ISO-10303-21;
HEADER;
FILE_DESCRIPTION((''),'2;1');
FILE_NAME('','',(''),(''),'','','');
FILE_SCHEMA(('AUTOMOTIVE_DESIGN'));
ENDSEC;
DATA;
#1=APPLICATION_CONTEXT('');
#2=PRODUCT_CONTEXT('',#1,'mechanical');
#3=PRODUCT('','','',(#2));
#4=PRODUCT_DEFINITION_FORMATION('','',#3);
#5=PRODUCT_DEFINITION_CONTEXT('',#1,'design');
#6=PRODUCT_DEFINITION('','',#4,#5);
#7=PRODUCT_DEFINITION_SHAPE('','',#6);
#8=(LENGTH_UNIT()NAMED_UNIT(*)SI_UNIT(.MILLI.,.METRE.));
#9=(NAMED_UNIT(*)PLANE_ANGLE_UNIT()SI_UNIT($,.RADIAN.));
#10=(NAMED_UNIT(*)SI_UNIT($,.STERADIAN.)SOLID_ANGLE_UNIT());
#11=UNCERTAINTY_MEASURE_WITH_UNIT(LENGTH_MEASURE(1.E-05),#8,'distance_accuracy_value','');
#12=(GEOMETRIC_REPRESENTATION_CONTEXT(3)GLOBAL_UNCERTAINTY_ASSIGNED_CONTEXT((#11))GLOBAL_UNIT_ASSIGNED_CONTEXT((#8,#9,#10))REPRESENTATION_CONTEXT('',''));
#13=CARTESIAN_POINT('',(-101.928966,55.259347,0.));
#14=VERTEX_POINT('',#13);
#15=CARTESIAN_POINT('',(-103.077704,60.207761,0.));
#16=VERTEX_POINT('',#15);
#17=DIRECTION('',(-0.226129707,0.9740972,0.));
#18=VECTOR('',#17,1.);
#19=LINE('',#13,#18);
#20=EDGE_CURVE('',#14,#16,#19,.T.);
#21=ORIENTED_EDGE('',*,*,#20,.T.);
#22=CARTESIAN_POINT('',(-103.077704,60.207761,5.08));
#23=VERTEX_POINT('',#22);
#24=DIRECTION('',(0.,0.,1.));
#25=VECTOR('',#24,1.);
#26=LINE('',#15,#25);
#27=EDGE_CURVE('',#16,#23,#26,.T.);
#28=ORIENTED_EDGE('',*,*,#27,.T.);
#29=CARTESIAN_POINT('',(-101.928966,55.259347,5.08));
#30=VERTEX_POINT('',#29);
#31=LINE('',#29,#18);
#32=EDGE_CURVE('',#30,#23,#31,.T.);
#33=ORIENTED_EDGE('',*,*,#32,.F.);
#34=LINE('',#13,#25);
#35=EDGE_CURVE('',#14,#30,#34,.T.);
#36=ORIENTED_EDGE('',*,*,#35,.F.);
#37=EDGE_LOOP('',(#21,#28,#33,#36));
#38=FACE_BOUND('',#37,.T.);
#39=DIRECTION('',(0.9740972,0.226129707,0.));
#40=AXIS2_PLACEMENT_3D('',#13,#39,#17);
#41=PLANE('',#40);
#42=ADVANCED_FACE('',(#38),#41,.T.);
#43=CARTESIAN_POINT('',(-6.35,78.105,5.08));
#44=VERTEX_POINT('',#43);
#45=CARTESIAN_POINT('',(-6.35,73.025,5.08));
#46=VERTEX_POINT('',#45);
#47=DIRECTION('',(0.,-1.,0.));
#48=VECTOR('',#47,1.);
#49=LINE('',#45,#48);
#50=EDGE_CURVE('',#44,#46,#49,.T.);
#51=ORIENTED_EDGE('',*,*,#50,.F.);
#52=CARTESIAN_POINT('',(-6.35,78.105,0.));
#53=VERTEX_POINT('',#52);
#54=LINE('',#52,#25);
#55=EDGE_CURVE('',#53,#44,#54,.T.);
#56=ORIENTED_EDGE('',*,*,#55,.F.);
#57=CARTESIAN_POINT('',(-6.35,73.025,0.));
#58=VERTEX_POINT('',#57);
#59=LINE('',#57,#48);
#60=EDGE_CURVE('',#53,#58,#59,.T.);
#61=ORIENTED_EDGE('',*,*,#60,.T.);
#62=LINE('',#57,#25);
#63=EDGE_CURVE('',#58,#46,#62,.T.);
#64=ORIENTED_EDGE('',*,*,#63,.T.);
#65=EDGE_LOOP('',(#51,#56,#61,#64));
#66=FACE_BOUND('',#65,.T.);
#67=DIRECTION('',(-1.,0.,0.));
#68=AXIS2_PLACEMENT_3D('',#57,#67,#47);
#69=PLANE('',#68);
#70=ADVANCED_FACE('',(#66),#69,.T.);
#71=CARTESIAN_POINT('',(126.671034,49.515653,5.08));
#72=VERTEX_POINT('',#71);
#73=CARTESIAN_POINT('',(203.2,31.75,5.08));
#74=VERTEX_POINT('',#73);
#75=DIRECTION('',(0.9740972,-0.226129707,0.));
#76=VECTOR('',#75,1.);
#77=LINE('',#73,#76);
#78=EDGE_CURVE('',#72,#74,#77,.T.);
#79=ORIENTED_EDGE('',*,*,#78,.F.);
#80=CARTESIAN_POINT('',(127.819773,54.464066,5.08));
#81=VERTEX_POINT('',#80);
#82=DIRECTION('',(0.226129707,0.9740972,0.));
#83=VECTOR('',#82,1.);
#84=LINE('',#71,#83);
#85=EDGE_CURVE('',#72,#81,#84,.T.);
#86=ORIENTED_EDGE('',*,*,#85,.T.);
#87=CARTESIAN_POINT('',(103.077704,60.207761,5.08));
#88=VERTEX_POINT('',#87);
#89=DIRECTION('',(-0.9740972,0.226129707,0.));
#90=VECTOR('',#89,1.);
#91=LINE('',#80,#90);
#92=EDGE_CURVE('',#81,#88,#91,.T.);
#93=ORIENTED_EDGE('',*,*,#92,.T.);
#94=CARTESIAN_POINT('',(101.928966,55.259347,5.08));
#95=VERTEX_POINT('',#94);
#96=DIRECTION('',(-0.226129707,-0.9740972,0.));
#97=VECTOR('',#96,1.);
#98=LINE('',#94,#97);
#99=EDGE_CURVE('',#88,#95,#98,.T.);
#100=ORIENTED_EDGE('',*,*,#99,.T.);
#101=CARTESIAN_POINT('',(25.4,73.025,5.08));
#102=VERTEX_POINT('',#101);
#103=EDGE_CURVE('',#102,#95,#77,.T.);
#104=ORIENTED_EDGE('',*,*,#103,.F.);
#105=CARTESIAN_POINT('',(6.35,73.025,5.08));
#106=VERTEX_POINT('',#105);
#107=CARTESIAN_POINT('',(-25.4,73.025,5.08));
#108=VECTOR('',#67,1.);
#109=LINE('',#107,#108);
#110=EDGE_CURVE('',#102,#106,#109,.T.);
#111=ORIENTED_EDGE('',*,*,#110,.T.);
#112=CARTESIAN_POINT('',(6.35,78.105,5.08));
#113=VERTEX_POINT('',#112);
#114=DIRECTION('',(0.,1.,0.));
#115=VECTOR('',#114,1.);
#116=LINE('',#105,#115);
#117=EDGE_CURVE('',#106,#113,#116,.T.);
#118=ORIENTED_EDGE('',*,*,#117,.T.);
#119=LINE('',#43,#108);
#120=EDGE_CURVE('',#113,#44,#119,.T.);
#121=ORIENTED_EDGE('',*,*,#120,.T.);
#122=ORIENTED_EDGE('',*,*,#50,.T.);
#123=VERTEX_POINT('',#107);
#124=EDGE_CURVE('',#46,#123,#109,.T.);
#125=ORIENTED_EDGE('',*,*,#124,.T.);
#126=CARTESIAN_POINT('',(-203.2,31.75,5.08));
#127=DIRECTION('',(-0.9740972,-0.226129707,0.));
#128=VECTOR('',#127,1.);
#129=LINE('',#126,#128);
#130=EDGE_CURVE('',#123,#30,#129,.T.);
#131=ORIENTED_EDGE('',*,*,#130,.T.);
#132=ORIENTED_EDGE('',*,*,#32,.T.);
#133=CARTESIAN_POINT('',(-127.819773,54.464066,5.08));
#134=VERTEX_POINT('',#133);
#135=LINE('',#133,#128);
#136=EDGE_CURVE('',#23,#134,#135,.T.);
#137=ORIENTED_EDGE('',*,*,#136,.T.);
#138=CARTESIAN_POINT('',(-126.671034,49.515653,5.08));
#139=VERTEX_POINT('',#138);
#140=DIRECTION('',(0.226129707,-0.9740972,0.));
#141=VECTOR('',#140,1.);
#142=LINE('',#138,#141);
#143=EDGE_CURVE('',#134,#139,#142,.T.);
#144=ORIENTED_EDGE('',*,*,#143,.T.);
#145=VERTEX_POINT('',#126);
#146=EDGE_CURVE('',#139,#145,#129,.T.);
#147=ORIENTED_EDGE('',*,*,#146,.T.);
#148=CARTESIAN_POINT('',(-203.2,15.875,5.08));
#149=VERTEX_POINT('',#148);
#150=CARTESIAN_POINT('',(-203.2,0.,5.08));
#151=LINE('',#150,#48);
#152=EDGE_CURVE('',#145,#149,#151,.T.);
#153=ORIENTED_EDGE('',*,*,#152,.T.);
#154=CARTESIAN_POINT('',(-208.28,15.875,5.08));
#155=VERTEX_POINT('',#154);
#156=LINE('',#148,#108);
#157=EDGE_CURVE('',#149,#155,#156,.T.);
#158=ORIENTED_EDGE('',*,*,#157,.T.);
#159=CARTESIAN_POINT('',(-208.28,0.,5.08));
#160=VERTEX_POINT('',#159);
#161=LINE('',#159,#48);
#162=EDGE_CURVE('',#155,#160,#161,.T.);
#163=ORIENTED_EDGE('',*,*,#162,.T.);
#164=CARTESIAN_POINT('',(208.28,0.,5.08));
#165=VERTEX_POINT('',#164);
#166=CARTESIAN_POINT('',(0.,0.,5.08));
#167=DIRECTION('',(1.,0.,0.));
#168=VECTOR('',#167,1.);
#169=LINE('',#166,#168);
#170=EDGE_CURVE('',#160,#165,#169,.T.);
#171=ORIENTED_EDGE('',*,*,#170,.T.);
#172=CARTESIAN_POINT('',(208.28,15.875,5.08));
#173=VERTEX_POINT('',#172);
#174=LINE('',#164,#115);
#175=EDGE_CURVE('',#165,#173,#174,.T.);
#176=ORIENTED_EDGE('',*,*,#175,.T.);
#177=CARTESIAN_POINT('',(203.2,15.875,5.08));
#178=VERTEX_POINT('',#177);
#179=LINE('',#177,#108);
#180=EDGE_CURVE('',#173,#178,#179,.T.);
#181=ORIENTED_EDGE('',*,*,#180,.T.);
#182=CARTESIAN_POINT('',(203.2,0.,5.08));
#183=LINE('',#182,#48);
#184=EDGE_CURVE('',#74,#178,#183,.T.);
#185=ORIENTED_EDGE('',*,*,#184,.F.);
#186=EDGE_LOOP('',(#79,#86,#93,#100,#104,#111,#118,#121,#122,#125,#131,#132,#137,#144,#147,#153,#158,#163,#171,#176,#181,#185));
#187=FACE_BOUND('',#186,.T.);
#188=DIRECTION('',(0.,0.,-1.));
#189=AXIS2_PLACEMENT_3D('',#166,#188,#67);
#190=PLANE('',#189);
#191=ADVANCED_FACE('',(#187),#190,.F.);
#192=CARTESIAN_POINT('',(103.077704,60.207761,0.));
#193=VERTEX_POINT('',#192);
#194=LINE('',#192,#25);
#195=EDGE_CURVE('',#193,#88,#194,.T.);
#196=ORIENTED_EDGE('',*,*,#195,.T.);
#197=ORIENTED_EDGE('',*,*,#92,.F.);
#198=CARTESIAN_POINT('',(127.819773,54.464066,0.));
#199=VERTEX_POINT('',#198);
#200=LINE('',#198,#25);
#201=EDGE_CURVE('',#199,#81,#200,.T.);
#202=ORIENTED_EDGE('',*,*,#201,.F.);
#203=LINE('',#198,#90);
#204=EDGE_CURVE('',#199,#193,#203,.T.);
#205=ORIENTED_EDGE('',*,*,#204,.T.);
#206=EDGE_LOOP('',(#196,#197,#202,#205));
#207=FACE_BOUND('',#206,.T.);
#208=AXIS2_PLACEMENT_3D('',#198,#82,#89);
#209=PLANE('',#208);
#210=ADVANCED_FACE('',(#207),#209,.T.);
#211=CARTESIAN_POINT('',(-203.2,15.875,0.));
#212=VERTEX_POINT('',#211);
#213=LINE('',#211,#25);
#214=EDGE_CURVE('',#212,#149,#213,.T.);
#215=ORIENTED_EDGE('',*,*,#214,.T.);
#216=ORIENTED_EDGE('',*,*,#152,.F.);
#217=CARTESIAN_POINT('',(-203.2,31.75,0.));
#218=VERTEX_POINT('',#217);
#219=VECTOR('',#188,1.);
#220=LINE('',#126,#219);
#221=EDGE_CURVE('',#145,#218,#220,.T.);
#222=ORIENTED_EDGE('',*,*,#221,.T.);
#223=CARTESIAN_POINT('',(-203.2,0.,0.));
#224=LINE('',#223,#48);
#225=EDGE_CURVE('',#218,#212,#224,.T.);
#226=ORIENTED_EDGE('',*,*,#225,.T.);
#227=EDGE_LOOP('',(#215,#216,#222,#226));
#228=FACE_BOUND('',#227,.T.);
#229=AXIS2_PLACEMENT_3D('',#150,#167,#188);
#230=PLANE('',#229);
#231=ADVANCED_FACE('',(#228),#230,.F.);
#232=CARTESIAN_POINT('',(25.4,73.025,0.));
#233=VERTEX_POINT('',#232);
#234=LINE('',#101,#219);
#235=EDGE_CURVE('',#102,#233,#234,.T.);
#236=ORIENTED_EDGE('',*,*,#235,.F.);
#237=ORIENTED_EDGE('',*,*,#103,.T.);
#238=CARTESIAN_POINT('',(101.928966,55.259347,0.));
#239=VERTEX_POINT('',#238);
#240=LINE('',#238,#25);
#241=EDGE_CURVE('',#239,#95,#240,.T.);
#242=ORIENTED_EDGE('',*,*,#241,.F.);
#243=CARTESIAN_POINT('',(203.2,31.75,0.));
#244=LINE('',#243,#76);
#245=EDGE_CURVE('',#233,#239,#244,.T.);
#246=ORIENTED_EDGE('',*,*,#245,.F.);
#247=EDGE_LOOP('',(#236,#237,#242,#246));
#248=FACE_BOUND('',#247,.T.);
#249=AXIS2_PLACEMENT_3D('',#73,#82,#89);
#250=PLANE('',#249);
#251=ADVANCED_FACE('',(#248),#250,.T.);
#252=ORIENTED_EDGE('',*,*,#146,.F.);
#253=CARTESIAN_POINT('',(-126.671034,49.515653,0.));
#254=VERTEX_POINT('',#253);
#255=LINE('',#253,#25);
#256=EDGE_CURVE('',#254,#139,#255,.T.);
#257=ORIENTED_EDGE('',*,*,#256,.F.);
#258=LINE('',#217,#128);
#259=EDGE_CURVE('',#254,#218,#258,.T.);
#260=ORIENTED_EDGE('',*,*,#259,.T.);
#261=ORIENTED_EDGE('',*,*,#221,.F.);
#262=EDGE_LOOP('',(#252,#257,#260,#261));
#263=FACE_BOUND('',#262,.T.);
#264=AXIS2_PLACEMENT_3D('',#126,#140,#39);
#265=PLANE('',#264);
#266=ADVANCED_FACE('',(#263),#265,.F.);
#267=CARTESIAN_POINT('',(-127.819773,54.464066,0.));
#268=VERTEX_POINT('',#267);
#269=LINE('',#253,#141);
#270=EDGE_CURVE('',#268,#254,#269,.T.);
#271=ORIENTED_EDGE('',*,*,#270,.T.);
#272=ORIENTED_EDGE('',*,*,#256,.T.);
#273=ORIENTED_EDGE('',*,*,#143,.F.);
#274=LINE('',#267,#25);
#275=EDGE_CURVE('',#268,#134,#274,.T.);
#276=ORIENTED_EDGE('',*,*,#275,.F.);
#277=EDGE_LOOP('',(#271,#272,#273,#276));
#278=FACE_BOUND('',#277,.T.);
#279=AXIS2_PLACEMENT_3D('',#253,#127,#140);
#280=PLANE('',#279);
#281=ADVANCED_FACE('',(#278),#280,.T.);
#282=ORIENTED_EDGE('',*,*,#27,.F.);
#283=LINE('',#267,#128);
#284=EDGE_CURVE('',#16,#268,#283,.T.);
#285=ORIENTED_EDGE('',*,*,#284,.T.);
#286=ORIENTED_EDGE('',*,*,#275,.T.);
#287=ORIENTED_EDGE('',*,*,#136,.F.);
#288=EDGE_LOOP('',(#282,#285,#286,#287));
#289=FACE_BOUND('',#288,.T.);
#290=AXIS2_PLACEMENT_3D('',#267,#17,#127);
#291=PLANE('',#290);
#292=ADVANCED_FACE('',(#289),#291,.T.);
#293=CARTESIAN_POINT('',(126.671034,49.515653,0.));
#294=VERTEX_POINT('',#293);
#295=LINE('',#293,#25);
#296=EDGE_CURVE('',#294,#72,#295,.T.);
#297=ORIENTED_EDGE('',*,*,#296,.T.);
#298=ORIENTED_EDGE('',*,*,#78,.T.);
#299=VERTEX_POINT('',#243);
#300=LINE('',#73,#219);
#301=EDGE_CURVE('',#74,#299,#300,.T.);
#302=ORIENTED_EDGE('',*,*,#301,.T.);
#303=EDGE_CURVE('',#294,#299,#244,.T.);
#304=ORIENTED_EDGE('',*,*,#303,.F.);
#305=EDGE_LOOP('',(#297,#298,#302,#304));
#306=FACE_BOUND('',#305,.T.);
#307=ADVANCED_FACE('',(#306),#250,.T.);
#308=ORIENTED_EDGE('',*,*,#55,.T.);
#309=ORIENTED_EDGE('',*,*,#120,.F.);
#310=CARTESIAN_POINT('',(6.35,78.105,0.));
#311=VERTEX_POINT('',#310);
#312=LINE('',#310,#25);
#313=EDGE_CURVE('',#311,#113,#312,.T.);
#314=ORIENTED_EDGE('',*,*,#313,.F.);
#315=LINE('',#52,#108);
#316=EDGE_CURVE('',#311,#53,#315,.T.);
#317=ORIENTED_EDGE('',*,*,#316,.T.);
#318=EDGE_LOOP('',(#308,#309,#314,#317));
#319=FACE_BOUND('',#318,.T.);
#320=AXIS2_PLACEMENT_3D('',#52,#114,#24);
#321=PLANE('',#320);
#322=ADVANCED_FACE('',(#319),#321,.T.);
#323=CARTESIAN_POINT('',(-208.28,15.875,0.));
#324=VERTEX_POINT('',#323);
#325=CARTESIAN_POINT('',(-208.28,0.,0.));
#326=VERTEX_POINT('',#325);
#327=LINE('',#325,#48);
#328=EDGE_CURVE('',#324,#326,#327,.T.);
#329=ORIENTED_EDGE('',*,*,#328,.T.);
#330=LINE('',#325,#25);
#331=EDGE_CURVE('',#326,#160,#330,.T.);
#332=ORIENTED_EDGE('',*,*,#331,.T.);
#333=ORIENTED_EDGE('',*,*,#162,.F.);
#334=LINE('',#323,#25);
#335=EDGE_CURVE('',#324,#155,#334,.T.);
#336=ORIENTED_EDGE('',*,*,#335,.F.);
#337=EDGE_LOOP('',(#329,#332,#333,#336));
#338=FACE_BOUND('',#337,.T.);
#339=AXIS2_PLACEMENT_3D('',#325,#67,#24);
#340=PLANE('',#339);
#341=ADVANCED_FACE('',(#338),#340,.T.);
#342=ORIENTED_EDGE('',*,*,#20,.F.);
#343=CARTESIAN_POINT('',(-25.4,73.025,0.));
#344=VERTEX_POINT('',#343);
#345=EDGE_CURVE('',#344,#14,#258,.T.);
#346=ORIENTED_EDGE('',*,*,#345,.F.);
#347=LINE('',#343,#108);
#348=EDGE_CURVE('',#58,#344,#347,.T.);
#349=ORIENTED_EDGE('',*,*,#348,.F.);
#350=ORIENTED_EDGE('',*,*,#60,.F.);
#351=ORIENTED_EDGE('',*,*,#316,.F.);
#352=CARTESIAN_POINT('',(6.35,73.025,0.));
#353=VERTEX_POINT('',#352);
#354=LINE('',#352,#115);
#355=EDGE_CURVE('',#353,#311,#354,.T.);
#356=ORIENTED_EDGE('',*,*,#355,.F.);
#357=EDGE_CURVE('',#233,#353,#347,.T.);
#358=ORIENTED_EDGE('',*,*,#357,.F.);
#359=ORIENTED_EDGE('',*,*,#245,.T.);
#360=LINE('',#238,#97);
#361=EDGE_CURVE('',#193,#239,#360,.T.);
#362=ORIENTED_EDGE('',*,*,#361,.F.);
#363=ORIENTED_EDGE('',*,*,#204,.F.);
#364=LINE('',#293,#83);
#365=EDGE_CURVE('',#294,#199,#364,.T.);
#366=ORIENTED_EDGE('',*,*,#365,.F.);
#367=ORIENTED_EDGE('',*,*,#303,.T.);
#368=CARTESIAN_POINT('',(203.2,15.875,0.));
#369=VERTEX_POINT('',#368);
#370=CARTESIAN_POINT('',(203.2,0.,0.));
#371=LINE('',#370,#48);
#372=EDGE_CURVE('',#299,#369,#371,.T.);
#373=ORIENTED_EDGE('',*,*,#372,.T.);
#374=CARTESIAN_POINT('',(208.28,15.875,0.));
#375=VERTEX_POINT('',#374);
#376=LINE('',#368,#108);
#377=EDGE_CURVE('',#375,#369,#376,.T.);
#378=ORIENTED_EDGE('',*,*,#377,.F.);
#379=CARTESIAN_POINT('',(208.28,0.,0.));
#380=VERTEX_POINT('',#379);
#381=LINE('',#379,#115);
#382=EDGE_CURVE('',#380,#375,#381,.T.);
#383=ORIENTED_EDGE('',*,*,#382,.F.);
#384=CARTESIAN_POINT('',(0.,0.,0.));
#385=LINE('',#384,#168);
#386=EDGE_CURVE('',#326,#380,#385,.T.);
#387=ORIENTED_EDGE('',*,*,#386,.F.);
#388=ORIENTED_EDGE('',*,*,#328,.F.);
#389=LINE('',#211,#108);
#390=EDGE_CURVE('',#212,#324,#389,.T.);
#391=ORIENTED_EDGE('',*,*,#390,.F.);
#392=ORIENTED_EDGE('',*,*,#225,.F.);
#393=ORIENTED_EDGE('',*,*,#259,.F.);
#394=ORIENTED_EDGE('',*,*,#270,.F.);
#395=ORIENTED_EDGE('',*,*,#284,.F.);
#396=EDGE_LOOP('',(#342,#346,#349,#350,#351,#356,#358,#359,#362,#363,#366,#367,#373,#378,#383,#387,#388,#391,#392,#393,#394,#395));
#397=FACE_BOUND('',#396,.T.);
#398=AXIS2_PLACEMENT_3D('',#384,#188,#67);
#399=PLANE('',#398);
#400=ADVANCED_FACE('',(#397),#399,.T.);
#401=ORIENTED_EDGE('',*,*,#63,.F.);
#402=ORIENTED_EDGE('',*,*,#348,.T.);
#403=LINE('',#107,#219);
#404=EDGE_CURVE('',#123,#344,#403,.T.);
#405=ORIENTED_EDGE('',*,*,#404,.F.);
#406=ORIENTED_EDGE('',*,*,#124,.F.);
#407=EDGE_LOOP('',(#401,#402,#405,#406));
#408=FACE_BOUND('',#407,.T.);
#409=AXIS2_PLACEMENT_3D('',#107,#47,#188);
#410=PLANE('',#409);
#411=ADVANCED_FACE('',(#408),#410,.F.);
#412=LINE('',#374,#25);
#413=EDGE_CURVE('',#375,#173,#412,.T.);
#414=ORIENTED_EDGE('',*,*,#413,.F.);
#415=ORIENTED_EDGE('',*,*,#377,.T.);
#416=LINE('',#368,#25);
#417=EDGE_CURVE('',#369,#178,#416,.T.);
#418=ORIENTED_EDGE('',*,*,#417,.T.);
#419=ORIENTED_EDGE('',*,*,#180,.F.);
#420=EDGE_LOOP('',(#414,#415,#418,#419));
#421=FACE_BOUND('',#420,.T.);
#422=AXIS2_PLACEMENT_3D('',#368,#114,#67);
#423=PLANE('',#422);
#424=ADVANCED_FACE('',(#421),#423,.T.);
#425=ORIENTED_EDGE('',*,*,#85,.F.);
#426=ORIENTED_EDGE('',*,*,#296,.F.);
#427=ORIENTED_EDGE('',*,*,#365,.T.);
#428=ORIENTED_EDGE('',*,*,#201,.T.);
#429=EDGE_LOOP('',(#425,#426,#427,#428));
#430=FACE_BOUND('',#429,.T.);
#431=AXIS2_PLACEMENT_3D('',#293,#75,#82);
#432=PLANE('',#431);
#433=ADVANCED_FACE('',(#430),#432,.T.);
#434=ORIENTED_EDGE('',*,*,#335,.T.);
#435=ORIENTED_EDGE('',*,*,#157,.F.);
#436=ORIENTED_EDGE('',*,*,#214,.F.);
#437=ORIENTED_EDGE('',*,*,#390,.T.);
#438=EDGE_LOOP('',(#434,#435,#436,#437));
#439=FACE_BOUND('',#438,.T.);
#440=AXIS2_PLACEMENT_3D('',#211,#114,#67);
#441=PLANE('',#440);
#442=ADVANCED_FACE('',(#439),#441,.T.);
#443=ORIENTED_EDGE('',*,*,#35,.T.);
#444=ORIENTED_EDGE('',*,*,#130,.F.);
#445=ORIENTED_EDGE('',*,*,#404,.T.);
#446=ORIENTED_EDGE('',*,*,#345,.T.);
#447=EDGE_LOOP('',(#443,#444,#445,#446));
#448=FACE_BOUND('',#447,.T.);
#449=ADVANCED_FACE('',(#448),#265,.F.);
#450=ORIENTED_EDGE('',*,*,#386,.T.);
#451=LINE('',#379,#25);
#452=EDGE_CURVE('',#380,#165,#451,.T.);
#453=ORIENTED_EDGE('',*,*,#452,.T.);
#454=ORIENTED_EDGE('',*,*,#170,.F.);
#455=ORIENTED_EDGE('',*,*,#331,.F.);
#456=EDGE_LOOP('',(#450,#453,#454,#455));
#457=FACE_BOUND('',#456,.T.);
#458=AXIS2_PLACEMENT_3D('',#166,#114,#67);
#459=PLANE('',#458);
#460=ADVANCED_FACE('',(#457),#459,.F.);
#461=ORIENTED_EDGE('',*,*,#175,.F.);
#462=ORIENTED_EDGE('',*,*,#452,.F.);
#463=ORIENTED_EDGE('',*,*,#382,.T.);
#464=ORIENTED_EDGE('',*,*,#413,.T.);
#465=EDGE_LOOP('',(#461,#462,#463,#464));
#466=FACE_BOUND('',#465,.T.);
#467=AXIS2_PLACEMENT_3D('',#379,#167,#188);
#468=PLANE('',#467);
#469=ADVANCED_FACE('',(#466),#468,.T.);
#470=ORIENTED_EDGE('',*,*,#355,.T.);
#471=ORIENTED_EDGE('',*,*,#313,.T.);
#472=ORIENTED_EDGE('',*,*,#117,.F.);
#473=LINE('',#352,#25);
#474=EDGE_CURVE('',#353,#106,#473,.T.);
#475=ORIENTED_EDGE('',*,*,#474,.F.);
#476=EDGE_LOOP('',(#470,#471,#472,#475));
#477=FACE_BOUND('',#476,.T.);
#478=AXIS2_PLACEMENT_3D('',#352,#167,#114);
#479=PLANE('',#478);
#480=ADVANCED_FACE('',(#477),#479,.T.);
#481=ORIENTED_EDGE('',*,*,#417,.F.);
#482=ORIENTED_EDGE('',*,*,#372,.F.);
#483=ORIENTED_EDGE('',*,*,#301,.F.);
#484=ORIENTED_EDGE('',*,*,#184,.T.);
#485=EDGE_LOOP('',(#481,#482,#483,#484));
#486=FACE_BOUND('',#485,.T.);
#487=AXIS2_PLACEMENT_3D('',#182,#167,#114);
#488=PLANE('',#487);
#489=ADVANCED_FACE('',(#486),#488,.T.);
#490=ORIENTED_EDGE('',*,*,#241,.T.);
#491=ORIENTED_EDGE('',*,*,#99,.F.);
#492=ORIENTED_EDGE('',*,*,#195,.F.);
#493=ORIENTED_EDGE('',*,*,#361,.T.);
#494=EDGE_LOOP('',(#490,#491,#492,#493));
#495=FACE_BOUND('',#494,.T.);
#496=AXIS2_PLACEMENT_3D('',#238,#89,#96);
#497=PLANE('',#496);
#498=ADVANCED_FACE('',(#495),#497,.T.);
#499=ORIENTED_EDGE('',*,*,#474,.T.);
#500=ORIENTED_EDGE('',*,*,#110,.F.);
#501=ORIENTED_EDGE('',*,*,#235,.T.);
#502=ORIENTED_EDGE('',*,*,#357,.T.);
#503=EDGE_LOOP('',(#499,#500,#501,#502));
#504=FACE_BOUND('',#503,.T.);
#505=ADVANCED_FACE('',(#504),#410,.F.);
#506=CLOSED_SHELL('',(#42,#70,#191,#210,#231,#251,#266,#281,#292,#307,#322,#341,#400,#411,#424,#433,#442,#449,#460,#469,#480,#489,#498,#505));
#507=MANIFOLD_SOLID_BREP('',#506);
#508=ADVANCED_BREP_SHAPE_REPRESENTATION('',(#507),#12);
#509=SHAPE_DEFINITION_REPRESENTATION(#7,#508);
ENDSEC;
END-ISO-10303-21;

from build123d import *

# Parameters (mm, degrees)
BOSS_EXTRUDE1_DEPTH = 5.08
SKETCH2_W           = 5.08
SKETCH2_H           = 15.875
SKETCH2_W_2         = 12.7
SKETCH2_H_2         = 5.08
BOSS_EXTRUDE2_DEPTH = 5.08


with BuildPart() as part:
    # Sketch1 → Boss-Extrude1 (new body)
    with BuildSketch(Plane.XY):
        Polygon((-203.2, 0), (-203.2, 31.75), (-25.4, 73.025), (0, 73.025), (0, 0), align=None)
    boss_extrude1 = extrude(amount=BOSS_EXTRUDE1_DEPTH)

    # Mirror1: Boss-Extrude1 across plane
    add(boss_extrude1.mirror(Plane(origin=(0, 73.025, 5.08), x_dir=(0, 0, 1), z_dir=(-1, 0, 0))))

    # Sketch2 → Boss-Extrude2 (add)
    with BuildSketch(Plane.XY.offset(5.08)):
        Polygon((-126.671034443, 49.515652719), (-101.928965557, 55.259347281), (-103.077704469, 60.207761059), (-127.819773356, 54.464066496), align=None)
        with Locations((-205.74, 7.9375)):
            Rectangle(SKETCH2_W, SKETCH2_H)
        with Locations((0, 75.565)):
            Rectangle(SKETCH2_W_2, SKETCH2_H_2)
        with Locations((205.74, 7.9375)):
            Rectangle(SKETCH2_W, SKETCH2_H)
        Polygon((126.671034443, 49.515652719), (101.928965557, 55.259347281), (103.077704469, 60.207761059), (127.819773356, 54.464066496), align=None)
    extrude(amount=-BOSS_EXTRUDE2_DEPTH)


solid = part.part
